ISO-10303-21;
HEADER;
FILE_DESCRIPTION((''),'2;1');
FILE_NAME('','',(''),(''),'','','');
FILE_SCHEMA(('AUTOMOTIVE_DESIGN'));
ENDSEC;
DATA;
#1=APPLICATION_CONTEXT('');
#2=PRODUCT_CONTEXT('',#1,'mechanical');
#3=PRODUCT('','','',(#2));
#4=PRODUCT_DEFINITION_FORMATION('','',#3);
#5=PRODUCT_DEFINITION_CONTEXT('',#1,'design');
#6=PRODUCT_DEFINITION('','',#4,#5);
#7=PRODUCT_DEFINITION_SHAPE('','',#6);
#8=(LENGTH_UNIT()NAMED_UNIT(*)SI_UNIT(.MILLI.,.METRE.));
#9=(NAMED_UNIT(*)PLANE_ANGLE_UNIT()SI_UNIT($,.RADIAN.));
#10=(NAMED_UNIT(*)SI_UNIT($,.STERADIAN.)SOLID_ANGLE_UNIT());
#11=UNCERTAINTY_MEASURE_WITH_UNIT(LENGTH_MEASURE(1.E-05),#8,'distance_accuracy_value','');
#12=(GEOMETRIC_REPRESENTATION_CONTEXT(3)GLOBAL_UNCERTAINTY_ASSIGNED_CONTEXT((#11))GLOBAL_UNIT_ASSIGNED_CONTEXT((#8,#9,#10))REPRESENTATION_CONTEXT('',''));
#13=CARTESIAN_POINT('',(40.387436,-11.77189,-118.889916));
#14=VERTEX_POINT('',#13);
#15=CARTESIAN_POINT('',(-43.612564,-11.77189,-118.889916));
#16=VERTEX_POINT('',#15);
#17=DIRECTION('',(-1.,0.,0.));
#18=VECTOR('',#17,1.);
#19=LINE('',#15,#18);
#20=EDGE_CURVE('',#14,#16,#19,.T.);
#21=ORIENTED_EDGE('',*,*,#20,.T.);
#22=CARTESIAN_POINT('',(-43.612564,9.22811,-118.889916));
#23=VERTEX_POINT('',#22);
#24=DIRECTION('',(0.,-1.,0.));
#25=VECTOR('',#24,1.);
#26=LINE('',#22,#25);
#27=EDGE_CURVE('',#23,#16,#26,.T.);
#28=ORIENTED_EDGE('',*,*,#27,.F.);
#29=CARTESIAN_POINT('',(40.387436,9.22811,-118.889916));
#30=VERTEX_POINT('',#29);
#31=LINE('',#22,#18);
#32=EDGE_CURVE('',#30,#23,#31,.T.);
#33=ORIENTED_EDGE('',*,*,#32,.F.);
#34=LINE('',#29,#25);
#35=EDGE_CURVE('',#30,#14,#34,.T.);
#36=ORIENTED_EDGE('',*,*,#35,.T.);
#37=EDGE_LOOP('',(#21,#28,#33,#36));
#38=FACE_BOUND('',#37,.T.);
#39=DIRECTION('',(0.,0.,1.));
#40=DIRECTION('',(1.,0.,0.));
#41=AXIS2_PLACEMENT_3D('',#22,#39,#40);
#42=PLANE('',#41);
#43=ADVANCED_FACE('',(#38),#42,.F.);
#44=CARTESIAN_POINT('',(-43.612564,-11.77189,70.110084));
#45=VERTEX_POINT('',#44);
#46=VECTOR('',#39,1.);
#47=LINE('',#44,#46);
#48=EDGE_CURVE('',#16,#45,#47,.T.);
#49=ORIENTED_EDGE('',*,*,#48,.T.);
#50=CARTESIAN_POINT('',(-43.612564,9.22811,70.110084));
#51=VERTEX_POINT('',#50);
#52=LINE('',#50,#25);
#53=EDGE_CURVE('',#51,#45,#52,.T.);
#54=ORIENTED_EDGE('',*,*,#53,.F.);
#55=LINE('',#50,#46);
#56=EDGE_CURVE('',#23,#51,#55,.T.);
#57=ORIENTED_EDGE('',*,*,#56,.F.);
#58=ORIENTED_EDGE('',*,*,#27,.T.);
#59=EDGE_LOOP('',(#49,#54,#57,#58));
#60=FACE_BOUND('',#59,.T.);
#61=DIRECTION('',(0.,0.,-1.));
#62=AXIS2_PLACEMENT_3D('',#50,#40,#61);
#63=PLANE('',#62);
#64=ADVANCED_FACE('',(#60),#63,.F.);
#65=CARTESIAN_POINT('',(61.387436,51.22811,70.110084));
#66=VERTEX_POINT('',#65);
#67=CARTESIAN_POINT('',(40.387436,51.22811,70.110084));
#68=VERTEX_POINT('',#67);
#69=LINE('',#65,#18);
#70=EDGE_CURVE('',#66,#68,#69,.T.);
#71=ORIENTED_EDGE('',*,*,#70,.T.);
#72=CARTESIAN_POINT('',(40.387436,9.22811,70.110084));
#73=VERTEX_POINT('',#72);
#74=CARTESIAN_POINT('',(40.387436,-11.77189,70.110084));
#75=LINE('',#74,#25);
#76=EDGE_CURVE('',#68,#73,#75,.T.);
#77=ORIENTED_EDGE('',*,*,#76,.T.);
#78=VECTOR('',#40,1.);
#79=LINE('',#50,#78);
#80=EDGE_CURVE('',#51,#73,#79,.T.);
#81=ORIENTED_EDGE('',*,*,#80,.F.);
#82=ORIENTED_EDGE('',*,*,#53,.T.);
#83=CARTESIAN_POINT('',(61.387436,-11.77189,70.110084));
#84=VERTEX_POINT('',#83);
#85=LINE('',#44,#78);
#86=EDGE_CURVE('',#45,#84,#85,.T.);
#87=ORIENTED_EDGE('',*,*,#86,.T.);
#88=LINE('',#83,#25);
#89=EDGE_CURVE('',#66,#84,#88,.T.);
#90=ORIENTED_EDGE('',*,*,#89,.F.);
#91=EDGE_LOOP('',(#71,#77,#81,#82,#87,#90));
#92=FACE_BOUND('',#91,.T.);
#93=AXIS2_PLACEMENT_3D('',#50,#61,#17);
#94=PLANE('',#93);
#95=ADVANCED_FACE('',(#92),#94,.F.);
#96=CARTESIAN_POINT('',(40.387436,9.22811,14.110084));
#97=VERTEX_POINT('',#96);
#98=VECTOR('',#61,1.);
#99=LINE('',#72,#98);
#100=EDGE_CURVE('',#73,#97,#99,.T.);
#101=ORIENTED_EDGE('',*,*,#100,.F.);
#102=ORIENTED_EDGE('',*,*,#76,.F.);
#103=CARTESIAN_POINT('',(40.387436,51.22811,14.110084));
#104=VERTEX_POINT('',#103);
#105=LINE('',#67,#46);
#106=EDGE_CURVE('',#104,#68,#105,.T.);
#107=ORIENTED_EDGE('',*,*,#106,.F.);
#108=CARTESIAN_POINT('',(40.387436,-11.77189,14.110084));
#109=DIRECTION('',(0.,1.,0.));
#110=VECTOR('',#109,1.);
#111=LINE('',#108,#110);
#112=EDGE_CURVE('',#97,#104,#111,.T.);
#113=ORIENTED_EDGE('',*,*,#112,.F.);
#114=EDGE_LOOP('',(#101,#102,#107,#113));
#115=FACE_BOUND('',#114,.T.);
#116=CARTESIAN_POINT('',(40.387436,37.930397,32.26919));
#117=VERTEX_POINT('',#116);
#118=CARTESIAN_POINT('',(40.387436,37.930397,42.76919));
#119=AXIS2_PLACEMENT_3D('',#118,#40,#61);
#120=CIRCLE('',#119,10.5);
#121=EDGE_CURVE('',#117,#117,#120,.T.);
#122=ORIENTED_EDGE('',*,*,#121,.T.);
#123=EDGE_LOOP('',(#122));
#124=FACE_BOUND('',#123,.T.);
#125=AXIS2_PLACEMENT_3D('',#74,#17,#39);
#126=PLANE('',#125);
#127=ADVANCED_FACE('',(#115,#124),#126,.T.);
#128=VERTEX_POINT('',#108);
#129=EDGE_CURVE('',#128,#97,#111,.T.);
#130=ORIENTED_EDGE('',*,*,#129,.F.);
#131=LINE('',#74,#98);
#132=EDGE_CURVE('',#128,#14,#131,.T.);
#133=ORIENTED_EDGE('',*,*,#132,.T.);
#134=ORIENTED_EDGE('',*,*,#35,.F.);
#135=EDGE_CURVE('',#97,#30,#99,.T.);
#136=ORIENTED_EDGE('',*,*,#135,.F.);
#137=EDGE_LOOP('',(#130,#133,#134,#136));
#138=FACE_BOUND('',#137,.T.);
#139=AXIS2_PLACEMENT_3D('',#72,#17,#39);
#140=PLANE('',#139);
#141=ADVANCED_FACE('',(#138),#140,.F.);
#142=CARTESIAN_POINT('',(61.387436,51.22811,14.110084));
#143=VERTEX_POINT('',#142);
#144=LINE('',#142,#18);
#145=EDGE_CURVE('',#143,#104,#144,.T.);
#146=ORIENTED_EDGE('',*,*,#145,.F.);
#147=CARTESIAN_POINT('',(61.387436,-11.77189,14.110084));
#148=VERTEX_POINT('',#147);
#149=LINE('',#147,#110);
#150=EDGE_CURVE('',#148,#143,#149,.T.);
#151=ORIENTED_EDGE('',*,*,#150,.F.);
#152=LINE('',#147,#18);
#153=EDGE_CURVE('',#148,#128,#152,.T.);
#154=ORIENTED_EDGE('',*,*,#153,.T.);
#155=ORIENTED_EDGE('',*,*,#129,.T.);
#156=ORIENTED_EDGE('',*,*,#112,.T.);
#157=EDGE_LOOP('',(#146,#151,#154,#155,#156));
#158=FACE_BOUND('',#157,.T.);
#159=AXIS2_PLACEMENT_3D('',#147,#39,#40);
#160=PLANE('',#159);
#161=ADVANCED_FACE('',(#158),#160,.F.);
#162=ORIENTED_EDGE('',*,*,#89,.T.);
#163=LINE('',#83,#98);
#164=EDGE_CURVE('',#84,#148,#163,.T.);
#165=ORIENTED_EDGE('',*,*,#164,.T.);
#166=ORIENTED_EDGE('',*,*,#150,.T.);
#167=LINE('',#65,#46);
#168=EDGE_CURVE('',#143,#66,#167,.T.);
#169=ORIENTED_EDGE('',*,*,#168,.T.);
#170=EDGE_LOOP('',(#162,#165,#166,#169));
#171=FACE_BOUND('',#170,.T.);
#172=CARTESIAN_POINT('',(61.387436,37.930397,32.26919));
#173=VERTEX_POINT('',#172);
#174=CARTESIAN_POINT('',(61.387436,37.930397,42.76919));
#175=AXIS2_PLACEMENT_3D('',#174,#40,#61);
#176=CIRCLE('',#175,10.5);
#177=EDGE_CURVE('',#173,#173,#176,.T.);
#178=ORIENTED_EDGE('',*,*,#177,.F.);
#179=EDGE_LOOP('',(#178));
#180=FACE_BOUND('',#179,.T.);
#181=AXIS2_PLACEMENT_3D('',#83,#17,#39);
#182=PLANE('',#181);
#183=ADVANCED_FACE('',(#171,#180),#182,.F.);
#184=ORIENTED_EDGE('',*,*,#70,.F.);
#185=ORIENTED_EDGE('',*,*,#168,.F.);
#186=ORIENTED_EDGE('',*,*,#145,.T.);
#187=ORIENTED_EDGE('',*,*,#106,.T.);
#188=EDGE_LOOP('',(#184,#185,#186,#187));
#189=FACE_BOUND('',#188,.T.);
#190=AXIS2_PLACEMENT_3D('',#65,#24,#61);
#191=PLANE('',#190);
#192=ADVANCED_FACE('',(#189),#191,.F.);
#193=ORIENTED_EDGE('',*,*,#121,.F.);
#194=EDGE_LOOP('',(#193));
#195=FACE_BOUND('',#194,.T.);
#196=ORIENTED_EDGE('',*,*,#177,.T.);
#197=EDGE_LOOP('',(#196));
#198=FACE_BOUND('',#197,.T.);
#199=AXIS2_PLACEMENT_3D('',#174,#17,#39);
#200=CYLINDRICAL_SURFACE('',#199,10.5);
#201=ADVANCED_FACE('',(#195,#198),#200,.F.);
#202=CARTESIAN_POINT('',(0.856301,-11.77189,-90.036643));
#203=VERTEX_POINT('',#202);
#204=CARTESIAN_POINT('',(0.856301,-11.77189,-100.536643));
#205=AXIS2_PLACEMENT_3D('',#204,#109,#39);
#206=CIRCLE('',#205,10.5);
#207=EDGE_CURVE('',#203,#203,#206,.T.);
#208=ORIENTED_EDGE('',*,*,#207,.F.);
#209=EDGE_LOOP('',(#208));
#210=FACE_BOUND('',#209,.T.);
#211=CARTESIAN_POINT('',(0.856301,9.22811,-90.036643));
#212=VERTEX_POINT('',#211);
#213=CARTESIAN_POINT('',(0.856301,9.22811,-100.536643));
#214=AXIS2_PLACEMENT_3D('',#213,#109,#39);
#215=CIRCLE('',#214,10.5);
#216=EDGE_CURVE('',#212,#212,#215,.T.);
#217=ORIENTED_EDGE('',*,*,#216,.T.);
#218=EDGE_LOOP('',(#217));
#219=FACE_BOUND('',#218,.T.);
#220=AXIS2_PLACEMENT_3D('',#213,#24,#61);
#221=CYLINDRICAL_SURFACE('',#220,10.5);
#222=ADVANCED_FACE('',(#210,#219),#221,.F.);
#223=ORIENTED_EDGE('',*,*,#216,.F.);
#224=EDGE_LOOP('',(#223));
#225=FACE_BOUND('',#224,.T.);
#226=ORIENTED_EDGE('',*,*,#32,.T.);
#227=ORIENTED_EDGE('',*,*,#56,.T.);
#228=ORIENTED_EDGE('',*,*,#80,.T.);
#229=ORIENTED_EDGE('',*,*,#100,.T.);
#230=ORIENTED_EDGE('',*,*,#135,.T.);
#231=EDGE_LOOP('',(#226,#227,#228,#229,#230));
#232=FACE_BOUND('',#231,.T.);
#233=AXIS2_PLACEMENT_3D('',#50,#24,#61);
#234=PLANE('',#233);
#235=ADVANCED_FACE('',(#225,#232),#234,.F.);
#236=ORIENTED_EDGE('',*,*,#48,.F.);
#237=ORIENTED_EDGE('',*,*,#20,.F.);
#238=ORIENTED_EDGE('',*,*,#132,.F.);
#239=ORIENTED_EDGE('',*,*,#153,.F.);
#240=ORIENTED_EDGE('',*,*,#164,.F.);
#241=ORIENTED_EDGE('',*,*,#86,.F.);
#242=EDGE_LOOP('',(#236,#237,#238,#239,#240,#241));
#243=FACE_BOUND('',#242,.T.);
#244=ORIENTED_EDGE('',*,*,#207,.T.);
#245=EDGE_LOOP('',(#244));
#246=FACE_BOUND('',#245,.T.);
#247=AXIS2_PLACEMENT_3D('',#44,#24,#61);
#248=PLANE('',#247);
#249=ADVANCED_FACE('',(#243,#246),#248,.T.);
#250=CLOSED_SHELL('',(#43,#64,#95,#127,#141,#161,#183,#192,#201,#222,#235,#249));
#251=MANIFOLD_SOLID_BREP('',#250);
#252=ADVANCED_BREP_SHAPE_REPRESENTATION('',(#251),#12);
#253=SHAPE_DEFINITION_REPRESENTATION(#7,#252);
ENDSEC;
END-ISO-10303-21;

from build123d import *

# Parameters (mm, degrees)
CROQUIS1_W              = 12
CROQUIS1_H              = 27
CROQUIS1_R              = 1.5
SALIENTE_EXTRUIR2_DEPTH = 3
CROQUIS6_W              = 8
CROQUIS6_H              = 9
CROQUIS6_R              = 1.5
SALIENTE_EXTRUIR4_DEPTH = 3
ESCALA1_SCALE           = 7


with BuildPart() as part:
    # Croquis1 → Saliente-Extruir2 (new body)
    with BuildSketch(Plane(origin=(0, 0, 0), x_dir=(1, 0, 0), z_dir=(0, 1, 0))):
        with Locations((6, 13.5)):
            Rectangle(CROQUIS1_W, CROQUIS1_H)
        with Locations((6.352695101, 24.378103836)):
            Circle(CROQUIS1_R, mode=Mode.SUBTRACT)
    extrude(amount=SALIENTE_EXTRUIR2_DEPTH)

    # Croquis6 → Saliente-Extruir4 (add)
    with BuildSketch(Plane(origin=(12, 0, 0), x_dir=(0, 0, -1), z_dir=(1, 0, 0))):
        with Locations((4, 4.5)):
            Rectangle(CROQUIS6_W, CROQUIS6_H)
        with Locations((3.905842021, 7.100326765)):
            Circle(CROQUIS6_R, mode=Mode.SUBTRACT)
    extrude(amount=SALIENTE_EXTRUIR4_DEPTH)


with BuildPart() as part_1:
    # Escala1: scaled about (7.268760736, 1.961981653, -11.685014046)
    add(part.part.scale(ESCALA1_SCALE).moved(Location((-43.612564416, -11.771889918, 70.110084276))))


solid = part_1.part
